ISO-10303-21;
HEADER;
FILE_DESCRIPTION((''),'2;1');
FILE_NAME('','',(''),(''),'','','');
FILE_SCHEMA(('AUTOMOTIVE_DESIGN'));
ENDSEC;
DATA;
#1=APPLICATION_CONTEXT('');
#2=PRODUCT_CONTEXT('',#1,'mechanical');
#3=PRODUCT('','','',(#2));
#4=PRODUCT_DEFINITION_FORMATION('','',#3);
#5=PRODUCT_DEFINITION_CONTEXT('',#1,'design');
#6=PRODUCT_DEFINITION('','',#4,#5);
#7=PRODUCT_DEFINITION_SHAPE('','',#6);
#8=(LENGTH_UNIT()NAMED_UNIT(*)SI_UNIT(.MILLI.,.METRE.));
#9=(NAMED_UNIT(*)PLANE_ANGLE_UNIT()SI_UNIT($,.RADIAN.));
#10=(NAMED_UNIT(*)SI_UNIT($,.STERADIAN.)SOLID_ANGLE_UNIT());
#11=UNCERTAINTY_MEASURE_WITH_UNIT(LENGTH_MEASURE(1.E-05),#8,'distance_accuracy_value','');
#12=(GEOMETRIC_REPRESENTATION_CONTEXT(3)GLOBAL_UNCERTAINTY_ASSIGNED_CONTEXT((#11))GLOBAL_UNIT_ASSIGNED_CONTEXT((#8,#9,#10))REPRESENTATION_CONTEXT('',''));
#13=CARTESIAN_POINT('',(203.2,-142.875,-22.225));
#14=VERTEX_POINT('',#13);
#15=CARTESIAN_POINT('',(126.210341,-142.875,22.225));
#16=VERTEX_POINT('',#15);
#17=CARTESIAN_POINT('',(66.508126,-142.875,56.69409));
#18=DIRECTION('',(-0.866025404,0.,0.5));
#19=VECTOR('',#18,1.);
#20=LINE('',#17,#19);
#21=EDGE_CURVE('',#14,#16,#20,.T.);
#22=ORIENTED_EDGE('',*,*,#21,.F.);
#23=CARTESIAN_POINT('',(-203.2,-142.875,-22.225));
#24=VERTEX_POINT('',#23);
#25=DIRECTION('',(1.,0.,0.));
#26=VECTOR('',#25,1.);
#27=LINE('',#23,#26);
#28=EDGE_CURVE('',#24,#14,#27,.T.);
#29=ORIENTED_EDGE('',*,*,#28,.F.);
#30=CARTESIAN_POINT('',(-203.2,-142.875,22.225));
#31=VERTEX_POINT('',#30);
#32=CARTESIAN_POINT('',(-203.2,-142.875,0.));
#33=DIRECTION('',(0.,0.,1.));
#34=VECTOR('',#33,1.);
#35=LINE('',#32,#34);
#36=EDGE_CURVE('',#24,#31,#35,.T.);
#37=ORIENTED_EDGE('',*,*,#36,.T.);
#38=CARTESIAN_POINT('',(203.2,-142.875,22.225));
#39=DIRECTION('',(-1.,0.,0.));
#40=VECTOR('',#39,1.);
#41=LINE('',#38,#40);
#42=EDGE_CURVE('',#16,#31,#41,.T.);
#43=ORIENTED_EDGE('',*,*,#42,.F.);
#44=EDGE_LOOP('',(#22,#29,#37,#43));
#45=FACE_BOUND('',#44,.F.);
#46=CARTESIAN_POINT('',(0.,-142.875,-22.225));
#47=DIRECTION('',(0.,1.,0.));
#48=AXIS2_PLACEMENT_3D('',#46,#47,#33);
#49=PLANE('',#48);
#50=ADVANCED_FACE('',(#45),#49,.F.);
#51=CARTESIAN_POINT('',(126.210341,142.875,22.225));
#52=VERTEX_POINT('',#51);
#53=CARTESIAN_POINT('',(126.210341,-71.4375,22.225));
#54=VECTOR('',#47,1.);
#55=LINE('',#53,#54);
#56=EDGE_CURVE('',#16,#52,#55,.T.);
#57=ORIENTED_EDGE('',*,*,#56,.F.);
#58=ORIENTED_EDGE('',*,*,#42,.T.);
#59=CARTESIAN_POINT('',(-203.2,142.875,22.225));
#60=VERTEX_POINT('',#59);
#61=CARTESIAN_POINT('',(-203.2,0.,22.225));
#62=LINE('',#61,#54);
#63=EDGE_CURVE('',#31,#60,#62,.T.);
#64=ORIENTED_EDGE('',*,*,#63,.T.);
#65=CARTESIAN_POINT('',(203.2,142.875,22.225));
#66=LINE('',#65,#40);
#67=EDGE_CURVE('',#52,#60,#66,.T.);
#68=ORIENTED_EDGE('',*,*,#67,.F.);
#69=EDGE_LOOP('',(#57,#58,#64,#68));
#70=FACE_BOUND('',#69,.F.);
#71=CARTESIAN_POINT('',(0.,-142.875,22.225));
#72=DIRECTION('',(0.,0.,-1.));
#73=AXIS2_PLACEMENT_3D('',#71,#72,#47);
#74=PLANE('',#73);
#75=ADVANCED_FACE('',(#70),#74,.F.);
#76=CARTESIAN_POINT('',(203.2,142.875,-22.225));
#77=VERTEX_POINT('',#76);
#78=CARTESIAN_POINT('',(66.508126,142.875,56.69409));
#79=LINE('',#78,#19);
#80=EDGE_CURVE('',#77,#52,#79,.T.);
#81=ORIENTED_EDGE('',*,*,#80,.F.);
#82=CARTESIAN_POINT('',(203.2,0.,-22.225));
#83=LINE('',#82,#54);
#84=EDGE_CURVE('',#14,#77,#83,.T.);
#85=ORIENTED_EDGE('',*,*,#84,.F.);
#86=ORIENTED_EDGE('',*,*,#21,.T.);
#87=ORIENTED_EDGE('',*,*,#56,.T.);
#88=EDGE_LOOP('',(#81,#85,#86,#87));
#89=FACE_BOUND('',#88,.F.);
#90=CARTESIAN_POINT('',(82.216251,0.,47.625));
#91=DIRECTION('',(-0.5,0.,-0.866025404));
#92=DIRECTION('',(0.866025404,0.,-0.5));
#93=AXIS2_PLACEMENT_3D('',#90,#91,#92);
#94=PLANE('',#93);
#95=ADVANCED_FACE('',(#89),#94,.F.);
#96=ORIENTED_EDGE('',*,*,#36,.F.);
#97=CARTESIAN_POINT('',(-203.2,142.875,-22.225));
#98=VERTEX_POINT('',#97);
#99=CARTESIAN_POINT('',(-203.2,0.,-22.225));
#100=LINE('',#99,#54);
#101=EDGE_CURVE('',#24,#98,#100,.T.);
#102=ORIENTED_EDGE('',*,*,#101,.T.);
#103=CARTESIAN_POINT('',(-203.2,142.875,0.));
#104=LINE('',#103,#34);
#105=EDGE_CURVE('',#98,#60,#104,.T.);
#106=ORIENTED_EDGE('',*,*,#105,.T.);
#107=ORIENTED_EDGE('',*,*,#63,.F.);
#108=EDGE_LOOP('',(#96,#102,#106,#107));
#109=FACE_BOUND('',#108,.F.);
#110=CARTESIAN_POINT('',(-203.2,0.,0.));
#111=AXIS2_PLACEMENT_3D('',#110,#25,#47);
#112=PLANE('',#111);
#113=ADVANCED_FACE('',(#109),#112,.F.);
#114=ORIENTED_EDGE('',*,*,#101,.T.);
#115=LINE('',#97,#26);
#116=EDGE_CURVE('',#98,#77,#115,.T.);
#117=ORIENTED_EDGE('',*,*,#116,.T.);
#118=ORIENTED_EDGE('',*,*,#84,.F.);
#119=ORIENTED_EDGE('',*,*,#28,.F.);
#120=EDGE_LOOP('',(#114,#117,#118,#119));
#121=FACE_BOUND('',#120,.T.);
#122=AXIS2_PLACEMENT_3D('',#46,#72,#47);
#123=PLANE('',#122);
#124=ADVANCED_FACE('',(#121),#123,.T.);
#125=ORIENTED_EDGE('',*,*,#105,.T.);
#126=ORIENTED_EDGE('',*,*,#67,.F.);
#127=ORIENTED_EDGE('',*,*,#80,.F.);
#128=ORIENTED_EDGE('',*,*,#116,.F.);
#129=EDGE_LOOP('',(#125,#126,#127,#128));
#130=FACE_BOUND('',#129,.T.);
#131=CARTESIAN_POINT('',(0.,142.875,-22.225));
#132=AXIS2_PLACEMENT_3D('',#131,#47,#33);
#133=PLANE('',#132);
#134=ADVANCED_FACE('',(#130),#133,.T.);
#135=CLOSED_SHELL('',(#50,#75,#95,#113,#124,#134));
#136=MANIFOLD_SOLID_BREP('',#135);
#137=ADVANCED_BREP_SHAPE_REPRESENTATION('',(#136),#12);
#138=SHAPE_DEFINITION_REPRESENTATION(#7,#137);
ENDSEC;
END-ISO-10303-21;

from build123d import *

# Parameters (mm, degrees)
F0_W     = 285.75
F0_H     = 44.45
F1_DEPTH = 203.2
F3_DEPTH = 203.2


with BuildPart() as f1:
    # F0 (on Right) → F1 (new body, symmetric)
    with BuildSketch(Plane.YZ):
        Rectangle(F0_W, F0_H)
    extrude(amount=F1_DEPTH, both=True)

    # F2 (on Front) → F3 (cut, symmetric)
    with BuildSketch(Plane.XZ):
        Polygon((228.6, -36.889697), (228.6, 47.625), (82.216251, 47.625), align=None)
    extrude(amount=F3_DEPTH, both=True, mode=Mode.SUBTRACT)


solid = f1.part
